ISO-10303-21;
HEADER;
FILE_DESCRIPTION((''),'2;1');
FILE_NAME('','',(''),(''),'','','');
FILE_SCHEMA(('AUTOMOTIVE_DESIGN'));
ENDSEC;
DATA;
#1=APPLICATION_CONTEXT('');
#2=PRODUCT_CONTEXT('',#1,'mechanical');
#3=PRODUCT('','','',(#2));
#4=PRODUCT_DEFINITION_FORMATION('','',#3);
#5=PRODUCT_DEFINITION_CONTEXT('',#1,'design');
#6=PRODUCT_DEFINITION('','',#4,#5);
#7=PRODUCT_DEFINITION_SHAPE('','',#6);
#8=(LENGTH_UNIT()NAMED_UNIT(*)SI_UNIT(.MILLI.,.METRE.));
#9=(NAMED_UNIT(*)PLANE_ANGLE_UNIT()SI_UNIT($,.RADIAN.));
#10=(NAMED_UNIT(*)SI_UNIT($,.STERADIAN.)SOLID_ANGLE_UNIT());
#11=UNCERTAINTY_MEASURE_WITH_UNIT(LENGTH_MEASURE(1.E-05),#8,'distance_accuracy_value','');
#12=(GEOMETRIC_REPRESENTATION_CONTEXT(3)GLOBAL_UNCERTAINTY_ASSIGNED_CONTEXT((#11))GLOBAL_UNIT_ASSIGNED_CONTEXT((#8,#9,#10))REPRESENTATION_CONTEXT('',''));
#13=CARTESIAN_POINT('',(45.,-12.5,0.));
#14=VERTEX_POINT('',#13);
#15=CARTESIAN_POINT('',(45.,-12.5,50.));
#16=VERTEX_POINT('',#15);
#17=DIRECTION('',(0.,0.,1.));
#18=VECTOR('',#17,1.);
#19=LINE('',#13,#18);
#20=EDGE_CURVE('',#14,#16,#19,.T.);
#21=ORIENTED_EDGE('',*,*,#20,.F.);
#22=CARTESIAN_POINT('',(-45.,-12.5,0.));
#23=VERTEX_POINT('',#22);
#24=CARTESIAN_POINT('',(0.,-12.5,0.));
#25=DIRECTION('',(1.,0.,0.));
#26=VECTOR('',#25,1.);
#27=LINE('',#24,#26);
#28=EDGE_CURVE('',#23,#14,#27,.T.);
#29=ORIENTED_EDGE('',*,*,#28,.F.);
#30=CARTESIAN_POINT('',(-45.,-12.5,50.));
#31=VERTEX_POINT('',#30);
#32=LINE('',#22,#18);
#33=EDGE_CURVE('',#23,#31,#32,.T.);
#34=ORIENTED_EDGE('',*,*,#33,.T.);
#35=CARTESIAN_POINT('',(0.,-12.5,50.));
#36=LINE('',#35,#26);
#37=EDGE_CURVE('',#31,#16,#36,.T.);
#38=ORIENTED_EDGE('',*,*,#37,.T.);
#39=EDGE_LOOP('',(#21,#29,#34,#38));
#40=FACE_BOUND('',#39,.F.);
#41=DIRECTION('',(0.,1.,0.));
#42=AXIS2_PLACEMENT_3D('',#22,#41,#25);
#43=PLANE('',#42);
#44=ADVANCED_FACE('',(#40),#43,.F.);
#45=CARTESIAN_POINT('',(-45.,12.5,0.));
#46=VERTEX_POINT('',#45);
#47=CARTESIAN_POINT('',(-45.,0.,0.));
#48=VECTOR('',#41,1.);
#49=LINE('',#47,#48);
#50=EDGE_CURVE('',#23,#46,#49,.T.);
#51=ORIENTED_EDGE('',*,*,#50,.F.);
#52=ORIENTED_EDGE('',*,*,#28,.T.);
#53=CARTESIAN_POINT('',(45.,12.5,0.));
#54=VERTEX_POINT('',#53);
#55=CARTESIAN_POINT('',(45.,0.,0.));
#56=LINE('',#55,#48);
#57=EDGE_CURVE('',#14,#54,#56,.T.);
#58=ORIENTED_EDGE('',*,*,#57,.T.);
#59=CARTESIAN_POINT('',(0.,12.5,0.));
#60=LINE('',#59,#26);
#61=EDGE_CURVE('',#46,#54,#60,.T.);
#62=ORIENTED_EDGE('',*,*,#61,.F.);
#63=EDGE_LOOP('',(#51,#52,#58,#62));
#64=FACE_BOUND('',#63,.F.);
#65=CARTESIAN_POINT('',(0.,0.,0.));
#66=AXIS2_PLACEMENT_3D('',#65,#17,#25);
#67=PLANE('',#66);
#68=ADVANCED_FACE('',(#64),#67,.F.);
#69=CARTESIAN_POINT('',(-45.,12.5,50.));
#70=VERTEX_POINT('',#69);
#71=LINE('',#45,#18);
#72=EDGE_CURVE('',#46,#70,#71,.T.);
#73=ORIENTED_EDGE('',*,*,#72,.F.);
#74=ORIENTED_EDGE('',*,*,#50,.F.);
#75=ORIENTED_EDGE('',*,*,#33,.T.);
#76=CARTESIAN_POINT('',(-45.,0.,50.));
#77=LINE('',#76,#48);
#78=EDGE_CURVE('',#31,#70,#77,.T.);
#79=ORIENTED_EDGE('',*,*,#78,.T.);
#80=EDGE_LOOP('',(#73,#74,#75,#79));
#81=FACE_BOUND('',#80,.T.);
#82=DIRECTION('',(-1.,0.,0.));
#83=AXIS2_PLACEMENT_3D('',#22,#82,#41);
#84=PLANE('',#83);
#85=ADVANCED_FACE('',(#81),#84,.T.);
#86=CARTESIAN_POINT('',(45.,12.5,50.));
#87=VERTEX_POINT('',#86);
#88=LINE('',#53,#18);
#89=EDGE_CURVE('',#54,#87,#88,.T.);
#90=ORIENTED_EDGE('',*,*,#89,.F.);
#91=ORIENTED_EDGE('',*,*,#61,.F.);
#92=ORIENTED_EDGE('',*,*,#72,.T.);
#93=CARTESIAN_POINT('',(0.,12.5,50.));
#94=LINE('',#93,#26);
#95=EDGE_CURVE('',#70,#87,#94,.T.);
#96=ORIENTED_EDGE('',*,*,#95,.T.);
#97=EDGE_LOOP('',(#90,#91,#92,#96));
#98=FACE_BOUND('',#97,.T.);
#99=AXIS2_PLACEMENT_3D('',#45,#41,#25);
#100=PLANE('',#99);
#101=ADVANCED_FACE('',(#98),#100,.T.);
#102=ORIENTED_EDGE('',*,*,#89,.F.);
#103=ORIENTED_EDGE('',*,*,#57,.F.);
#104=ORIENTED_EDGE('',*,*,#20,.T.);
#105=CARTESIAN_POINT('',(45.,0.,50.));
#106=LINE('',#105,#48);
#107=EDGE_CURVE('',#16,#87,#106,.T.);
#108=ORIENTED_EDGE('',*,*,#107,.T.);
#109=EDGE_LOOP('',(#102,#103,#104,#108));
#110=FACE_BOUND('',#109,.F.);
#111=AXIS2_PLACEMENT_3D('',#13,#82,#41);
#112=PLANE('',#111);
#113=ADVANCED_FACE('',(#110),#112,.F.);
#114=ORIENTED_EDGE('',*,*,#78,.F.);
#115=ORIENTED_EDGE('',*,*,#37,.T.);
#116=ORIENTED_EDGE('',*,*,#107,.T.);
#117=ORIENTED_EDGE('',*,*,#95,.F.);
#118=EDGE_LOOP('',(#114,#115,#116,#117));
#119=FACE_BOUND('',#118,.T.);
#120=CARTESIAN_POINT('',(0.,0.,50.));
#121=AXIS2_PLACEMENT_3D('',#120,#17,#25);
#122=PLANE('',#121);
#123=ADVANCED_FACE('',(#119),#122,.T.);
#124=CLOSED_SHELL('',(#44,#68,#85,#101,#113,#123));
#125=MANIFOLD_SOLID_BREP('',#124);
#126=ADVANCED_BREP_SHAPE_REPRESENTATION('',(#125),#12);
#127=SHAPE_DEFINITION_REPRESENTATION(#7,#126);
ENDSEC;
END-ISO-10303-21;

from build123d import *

# Parameters (mm, degrees)
SKETCH_W      = 90
SKETCH_H      = 25
EXTRUDE_DEPTH = 50


with BuildPart() as part:
    # Sketch → Extrude (new body)
    with BuildSketch(Plane.XY):
        Rectangle(SKETCH_W, SKETCH_H)
    extrude(amount=EXTRUDE_DEPTH)


solid = part.part
